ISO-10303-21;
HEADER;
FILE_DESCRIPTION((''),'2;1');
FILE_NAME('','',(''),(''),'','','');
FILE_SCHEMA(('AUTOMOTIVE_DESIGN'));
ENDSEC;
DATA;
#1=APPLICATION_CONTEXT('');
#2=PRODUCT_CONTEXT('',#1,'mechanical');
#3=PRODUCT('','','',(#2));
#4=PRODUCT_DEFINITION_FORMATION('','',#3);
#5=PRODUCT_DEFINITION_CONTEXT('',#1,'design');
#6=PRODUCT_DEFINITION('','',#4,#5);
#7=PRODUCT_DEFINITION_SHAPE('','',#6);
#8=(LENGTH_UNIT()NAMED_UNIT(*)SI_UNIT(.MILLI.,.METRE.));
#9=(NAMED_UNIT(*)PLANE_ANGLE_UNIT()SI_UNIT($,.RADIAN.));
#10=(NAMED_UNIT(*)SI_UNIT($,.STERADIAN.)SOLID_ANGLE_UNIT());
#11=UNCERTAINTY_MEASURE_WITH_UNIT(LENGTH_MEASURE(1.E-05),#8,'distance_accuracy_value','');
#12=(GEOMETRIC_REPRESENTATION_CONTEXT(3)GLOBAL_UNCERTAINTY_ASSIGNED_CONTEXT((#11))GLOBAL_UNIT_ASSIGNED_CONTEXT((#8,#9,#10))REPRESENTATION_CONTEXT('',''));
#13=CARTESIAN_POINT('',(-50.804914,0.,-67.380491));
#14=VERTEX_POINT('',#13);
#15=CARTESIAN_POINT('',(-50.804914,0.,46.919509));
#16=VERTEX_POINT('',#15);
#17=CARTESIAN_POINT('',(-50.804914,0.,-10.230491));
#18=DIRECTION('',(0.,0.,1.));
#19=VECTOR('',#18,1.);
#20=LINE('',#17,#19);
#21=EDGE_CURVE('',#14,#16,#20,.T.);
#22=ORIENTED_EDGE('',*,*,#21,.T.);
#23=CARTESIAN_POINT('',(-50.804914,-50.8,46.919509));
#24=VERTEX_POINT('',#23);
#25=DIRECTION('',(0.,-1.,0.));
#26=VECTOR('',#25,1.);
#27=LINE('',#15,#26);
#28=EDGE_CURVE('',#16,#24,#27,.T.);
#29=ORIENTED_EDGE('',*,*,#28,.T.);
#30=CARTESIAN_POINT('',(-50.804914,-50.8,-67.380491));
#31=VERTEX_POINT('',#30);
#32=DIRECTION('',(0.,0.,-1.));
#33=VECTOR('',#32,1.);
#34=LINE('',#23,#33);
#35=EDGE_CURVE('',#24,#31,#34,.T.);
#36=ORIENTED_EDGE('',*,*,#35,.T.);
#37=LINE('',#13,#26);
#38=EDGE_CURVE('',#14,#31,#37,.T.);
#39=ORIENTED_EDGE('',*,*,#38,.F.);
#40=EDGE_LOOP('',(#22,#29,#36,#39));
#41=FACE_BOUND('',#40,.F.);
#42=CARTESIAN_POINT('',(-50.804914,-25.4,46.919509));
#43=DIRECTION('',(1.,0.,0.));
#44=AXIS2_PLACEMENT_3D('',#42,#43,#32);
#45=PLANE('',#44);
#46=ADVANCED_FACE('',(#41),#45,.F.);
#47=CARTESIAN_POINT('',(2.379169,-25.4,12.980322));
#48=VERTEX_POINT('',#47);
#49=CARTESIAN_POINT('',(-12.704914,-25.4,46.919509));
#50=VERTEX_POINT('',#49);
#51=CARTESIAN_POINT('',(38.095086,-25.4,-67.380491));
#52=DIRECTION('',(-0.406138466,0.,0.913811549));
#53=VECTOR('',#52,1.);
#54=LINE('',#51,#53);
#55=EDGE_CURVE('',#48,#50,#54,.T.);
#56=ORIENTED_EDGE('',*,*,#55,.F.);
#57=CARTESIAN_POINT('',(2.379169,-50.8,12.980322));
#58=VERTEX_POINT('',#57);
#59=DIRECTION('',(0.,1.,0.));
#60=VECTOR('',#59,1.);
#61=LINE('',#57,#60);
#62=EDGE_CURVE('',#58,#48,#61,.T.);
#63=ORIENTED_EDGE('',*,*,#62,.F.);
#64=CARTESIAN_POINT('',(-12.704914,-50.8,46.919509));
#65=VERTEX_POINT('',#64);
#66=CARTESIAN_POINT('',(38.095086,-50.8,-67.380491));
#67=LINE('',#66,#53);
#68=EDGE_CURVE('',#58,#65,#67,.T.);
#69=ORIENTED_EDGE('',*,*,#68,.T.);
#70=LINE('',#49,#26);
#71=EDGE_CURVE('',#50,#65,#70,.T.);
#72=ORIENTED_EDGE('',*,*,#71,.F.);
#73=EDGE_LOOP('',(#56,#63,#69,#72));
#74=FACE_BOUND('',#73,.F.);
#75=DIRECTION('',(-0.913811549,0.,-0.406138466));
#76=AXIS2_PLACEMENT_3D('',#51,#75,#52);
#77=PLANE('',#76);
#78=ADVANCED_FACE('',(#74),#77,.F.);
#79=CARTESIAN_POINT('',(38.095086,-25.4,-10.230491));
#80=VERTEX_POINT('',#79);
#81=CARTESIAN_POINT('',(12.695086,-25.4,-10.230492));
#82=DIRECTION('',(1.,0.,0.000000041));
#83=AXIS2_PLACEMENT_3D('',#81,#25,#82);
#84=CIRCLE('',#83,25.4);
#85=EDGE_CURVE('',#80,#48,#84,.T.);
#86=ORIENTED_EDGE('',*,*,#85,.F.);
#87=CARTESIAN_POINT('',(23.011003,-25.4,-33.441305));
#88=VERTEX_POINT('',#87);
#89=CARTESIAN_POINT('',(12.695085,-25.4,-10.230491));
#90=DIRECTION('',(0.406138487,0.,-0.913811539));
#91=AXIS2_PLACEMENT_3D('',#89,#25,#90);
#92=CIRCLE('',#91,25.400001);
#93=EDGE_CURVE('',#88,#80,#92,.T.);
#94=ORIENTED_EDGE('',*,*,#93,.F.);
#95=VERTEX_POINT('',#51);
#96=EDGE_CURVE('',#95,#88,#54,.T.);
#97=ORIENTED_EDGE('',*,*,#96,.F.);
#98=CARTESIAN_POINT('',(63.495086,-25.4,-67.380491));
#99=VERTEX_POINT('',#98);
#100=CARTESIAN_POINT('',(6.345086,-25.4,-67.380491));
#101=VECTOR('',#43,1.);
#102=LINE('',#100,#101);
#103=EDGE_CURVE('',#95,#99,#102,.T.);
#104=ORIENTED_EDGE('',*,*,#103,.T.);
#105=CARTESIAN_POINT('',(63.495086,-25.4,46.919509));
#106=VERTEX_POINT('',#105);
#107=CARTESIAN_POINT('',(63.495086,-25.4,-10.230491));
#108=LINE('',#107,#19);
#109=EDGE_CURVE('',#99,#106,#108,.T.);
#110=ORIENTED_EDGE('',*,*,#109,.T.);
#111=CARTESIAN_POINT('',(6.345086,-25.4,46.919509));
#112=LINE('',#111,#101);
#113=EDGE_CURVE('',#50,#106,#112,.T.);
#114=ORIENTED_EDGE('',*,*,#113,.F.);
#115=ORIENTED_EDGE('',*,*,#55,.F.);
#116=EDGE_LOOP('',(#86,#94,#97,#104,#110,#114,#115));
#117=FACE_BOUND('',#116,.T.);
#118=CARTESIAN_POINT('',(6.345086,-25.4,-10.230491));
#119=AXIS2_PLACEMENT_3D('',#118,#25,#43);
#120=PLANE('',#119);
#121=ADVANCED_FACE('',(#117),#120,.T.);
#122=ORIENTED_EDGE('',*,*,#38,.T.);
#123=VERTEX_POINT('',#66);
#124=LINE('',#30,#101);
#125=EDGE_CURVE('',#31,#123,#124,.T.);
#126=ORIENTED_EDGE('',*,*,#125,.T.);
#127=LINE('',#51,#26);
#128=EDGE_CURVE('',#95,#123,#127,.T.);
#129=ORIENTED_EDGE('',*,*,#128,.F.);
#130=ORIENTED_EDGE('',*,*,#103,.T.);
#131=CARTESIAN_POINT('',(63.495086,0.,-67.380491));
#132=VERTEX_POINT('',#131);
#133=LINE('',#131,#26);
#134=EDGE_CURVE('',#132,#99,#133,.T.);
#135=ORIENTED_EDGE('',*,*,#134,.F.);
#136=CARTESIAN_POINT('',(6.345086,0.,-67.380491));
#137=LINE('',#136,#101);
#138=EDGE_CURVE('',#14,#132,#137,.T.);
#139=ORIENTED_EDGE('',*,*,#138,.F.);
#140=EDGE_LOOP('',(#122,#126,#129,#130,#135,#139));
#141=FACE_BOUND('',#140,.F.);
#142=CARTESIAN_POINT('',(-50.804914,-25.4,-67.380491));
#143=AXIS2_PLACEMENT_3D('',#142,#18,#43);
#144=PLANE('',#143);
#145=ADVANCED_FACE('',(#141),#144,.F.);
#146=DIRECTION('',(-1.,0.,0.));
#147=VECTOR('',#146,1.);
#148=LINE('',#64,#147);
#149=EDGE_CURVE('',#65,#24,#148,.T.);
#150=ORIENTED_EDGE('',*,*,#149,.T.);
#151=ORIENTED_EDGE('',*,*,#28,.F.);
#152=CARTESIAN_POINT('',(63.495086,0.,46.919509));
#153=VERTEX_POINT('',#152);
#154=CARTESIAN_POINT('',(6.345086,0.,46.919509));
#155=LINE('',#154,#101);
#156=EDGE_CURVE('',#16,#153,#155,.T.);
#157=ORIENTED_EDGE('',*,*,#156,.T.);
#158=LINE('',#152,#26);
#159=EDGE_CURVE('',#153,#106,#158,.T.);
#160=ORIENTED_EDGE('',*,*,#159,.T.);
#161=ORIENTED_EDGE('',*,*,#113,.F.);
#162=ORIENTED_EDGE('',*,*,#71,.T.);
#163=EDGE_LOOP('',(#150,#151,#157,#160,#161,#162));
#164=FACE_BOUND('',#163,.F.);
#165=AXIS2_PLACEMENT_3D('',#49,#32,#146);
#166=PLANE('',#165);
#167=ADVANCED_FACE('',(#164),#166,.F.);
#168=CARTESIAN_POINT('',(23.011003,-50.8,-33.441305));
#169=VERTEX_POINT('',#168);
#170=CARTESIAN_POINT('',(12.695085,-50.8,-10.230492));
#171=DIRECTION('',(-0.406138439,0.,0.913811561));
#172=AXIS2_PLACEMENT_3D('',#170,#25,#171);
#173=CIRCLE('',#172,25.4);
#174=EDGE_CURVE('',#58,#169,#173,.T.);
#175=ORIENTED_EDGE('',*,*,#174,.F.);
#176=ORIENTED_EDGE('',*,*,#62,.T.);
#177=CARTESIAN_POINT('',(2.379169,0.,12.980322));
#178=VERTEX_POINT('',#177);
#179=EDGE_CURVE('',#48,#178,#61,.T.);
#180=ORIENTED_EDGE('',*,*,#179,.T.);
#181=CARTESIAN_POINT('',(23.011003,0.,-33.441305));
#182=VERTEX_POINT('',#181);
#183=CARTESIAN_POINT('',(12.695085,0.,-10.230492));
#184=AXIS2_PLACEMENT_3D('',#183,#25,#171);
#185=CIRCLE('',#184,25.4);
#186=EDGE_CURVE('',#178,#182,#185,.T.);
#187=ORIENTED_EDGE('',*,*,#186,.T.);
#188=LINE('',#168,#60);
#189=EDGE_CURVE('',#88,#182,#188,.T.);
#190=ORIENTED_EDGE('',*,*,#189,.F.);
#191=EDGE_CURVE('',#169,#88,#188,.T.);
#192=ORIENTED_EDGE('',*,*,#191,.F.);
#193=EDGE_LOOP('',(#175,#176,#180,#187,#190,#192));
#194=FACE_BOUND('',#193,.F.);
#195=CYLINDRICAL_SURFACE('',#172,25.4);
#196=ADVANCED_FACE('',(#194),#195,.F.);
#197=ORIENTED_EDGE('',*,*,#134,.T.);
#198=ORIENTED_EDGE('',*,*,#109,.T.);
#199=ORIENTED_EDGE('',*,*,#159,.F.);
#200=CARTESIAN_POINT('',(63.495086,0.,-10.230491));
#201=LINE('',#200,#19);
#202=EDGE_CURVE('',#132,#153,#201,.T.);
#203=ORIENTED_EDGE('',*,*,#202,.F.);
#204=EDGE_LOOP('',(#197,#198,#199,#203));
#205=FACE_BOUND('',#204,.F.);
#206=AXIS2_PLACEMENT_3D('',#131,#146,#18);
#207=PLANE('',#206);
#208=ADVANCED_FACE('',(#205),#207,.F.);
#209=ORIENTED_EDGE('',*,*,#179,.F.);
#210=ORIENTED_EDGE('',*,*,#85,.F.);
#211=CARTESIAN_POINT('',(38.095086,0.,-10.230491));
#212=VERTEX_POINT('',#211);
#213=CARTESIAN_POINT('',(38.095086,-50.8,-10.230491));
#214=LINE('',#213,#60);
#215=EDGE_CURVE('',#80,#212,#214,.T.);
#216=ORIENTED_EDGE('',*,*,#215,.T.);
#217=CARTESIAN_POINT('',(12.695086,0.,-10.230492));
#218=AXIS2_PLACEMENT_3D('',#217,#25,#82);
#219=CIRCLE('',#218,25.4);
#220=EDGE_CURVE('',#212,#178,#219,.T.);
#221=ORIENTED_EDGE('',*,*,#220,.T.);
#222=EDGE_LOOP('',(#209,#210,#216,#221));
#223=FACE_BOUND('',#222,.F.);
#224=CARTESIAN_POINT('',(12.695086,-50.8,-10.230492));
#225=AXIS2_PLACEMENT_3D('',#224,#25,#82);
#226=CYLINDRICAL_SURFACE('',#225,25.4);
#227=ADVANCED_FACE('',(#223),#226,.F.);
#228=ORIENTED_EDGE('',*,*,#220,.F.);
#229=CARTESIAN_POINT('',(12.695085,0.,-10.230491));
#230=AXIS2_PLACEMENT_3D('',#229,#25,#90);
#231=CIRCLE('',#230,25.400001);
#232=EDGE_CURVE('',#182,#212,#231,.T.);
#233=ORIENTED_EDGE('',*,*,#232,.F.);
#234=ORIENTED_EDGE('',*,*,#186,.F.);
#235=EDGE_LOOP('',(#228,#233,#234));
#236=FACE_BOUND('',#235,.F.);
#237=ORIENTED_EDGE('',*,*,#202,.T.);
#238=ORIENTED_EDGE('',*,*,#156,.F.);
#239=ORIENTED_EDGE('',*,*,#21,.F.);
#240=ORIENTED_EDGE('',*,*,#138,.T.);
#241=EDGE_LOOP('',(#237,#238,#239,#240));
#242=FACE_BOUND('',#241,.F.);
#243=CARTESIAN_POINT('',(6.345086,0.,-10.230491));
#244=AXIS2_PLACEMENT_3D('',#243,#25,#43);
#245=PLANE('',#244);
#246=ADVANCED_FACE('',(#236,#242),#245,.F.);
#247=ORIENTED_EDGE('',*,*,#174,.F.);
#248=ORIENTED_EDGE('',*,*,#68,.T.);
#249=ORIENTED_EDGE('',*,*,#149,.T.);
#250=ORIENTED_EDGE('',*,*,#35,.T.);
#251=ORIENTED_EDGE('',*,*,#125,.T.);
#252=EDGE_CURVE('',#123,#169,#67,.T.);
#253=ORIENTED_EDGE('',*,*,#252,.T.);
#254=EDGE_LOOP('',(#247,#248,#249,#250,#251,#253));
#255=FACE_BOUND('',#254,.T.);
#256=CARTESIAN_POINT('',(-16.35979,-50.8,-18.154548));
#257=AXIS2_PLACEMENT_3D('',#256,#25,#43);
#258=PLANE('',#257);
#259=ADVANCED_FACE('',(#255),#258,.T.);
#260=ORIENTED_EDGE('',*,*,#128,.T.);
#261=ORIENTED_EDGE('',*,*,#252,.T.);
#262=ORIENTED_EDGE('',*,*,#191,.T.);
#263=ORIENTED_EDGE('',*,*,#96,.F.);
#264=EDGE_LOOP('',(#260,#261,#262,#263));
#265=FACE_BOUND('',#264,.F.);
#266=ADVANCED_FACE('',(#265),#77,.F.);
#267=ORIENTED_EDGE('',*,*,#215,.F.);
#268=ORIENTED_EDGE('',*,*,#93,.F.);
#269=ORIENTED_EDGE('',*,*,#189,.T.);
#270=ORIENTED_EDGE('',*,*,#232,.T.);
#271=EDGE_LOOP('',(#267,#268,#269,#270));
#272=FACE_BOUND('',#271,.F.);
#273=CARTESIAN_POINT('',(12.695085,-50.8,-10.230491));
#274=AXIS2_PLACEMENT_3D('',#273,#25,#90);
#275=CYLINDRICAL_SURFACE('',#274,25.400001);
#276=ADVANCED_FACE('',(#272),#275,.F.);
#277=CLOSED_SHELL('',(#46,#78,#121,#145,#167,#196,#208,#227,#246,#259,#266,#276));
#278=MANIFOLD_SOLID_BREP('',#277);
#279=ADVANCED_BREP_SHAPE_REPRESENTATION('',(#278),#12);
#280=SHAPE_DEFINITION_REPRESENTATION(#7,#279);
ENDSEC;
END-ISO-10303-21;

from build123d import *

# Parameters (mm, degrees)
F0_W     = 114.3
F0_H     = 114.3
F1_DEPTH = 25.4
F3_DEPTH = 25.4
F5_DEPTH = 50.801


with BuildPart() as f1:
    # F0 (on Front) → F1 (new body)
    with BuildSketch(Plane.XZ):
        with Locations((6.345086, -10.230491)):
            Rectangle(F0_W, F0_H)
    extrude(amount=F1_DEPTH)

    # F2 (on face) → F3 (join)
    with BuildSketch(Plane.XZ.offset(25.4)):
        Polygon((-12.704914, 46.919509), (-50.804914, 46.919509), (-50.804914, -67.380491), (38.095086, -67.380491), align=None)
    extrude(amount=F3_DEPTH)

    # F4 (on face) → F5 (cut, through all)
    with BuildSketch(Plane.XZ.offset(50.8)):
        with BuildLine():
            Line((23.011003, -33.441305), (2.379169, 12.980322))
            ThreePointArc((2.379169, 12.980322), (-10.515728, -20.546409), (23.011003, -33.441305))
        make_face()
        with BuildLine():
            ThreePointArc((23.011003, -33.441305), (33.992789, -24.071295), (38.095086, -10.230491))
            ThreePointArc((38.095086, -10.230491), (26.53589, 11.067211), (2.379169, 12.980322))
            Line((2.379169, 12.980322), (23.011003, -33.441305))
        make_face()
    extrude(amount=-F5_DEPTH, mode=Mode.SUBTRACT)


solid = f1.part
